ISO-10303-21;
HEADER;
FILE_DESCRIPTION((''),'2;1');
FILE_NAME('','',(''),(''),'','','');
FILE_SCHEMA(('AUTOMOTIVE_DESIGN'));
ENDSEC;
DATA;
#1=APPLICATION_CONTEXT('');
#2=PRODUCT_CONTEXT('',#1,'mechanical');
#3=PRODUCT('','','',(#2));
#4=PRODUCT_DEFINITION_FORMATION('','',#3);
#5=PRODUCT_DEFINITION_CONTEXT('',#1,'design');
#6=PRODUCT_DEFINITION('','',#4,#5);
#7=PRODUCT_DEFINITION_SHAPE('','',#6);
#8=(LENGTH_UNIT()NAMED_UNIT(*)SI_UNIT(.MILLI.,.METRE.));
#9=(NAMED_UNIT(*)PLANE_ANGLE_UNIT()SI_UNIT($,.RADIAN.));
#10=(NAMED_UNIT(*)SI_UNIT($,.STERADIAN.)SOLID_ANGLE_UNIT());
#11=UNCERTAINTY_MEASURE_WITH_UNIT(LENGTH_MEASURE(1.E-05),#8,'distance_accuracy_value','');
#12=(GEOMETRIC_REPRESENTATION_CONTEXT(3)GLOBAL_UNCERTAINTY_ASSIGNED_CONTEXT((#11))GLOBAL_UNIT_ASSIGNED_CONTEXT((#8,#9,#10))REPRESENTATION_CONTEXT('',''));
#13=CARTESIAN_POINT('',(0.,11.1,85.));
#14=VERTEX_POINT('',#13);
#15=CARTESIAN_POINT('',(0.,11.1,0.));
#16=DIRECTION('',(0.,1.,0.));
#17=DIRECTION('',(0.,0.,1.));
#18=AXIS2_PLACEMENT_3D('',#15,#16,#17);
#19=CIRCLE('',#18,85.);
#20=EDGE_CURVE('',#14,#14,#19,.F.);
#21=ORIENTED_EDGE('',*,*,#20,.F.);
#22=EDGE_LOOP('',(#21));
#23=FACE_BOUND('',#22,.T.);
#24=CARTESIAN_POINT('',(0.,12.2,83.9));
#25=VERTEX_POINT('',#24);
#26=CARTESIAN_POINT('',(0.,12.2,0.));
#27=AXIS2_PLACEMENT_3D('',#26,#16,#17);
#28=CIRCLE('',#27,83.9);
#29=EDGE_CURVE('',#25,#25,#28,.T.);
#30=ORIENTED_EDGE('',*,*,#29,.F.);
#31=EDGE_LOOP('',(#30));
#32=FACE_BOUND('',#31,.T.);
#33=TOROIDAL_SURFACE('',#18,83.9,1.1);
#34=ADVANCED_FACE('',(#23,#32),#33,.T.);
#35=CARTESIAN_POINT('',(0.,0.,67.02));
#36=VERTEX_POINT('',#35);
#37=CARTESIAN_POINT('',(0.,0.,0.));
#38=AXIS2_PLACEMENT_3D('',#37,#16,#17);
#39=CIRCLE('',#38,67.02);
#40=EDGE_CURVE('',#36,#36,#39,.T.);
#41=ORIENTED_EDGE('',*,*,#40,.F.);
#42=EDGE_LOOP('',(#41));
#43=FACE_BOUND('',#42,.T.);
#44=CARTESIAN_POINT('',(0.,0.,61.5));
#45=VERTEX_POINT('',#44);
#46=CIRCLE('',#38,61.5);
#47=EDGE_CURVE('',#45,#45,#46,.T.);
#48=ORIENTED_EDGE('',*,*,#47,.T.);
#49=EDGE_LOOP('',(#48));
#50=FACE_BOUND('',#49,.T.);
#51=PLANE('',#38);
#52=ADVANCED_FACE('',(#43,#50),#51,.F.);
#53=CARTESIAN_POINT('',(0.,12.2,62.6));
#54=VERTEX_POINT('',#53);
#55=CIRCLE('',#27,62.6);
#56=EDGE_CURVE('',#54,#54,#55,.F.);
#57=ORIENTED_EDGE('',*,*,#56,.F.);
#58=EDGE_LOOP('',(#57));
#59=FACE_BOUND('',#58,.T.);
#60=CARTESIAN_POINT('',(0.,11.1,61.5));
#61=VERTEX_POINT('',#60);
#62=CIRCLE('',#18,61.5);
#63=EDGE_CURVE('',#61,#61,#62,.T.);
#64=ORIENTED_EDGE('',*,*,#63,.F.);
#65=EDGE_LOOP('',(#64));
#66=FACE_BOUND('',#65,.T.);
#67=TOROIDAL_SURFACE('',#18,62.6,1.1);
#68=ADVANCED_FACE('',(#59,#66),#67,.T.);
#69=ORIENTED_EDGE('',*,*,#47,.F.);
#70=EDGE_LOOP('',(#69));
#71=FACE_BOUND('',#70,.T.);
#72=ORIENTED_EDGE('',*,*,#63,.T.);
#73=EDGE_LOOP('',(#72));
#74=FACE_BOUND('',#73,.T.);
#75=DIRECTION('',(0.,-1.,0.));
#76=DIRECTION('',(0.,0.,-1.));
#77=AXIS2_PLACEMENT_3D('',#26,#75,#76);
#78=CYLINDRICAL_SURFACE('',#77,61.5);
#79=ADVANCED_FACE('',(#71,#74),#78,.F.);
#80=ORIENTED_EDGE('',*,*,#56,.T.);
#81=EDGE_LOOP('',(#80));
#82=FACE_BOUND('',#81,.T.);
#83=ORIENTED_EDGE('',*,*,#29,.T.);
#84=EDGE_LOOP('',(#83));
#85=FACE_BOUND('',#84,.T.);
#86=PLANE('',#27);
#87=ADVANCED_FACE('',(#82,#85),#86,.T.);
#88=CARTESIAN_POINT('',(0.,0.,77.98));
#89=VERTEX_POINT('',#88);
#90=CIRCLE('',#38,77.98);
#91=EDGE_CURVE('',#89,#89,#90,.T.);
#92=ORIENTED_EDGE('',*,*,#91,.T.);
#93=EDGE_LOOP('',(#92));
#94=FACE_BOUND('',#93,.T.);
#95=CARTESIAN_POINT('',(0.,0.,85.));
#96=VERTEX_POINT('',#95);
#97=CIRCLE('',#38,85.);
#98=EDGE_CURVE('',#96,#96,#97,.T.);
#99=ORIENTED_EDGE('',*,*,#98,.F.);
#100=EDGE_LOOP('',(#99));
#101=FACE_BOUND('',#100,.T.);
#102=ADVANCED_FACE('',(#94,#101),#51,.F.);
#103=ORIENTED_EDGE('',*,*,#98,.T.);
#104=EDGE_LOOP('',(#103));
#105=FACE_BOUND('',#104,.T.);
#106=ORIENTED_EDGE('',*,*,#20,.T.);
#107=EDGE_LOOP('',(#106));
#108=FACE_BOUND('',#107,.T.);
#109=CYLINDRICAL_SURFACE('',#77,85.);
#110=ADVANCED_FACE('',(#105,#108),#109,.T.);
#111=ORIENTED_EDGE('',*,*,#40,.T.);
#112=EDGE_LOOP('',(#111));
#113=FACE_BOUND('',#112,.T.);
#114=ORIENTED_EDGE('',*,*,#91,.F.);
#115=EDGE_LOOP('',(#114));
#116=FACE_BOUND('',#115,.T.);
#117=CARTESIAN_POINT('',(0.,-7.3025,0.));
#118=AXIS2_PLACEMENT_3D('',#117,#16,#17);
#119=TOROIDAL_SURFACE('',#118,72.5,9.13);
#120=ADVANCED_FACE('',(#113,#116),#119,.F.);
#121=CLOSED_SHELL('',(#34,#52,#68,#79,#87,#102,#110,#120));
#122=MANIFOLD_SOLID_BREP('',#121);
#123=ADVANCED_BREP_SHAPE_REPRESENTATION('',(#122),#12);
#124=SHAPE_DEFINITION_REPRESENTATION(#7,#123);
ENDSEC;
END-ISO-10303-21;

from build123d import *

# Parameters (mm, degrees)
SKETCH1_R           = 85
SKETCH1_R_2         = 61.5
BOSS_EXTRUDE1_DEPTH = 12.2
FILLET1_R           = 1.1


with BuildPart() as part:
    # Sketch1 → Boss-Extrude1 (new body)
    with BuildSketch(Plane(origin=(0, 0, 0), x_dir=(1, 0, 0), z_dir=(0, 1, 0))):
        Circle(SKETCH1_R)
        Circle(SKETCH1_R_2, mode=Mode.SUBTRACT)
    extrude(amount=BOSS_EXTRUDE1_DEPTH)

    # Fillet1
    fillet1_edges = [part.edges().sort_by_distance(p)[0] for p in [
        (-85, 12.2, 0),
        (-61.5, 12.2, 0),
    ]]
    fillet(fillet1_edges, radius=FILLET1_R)

    # Sketch2 → Cut-Revolve1 (revolve, cut)
    with BuildSketch(Plane.XY):
        with BuildLine():
            Line((-77.98, 0), (-67.02, 0))
            ThreePointArc((-67.02, 0), (-72.5, 1.827500428), (-77.98, 0))
        make_face()
    revolve(axis=Axis((0, 11.1, 0), (0, -1, 0)), mode=Mode.SUBTRACT)


solid = part.part
